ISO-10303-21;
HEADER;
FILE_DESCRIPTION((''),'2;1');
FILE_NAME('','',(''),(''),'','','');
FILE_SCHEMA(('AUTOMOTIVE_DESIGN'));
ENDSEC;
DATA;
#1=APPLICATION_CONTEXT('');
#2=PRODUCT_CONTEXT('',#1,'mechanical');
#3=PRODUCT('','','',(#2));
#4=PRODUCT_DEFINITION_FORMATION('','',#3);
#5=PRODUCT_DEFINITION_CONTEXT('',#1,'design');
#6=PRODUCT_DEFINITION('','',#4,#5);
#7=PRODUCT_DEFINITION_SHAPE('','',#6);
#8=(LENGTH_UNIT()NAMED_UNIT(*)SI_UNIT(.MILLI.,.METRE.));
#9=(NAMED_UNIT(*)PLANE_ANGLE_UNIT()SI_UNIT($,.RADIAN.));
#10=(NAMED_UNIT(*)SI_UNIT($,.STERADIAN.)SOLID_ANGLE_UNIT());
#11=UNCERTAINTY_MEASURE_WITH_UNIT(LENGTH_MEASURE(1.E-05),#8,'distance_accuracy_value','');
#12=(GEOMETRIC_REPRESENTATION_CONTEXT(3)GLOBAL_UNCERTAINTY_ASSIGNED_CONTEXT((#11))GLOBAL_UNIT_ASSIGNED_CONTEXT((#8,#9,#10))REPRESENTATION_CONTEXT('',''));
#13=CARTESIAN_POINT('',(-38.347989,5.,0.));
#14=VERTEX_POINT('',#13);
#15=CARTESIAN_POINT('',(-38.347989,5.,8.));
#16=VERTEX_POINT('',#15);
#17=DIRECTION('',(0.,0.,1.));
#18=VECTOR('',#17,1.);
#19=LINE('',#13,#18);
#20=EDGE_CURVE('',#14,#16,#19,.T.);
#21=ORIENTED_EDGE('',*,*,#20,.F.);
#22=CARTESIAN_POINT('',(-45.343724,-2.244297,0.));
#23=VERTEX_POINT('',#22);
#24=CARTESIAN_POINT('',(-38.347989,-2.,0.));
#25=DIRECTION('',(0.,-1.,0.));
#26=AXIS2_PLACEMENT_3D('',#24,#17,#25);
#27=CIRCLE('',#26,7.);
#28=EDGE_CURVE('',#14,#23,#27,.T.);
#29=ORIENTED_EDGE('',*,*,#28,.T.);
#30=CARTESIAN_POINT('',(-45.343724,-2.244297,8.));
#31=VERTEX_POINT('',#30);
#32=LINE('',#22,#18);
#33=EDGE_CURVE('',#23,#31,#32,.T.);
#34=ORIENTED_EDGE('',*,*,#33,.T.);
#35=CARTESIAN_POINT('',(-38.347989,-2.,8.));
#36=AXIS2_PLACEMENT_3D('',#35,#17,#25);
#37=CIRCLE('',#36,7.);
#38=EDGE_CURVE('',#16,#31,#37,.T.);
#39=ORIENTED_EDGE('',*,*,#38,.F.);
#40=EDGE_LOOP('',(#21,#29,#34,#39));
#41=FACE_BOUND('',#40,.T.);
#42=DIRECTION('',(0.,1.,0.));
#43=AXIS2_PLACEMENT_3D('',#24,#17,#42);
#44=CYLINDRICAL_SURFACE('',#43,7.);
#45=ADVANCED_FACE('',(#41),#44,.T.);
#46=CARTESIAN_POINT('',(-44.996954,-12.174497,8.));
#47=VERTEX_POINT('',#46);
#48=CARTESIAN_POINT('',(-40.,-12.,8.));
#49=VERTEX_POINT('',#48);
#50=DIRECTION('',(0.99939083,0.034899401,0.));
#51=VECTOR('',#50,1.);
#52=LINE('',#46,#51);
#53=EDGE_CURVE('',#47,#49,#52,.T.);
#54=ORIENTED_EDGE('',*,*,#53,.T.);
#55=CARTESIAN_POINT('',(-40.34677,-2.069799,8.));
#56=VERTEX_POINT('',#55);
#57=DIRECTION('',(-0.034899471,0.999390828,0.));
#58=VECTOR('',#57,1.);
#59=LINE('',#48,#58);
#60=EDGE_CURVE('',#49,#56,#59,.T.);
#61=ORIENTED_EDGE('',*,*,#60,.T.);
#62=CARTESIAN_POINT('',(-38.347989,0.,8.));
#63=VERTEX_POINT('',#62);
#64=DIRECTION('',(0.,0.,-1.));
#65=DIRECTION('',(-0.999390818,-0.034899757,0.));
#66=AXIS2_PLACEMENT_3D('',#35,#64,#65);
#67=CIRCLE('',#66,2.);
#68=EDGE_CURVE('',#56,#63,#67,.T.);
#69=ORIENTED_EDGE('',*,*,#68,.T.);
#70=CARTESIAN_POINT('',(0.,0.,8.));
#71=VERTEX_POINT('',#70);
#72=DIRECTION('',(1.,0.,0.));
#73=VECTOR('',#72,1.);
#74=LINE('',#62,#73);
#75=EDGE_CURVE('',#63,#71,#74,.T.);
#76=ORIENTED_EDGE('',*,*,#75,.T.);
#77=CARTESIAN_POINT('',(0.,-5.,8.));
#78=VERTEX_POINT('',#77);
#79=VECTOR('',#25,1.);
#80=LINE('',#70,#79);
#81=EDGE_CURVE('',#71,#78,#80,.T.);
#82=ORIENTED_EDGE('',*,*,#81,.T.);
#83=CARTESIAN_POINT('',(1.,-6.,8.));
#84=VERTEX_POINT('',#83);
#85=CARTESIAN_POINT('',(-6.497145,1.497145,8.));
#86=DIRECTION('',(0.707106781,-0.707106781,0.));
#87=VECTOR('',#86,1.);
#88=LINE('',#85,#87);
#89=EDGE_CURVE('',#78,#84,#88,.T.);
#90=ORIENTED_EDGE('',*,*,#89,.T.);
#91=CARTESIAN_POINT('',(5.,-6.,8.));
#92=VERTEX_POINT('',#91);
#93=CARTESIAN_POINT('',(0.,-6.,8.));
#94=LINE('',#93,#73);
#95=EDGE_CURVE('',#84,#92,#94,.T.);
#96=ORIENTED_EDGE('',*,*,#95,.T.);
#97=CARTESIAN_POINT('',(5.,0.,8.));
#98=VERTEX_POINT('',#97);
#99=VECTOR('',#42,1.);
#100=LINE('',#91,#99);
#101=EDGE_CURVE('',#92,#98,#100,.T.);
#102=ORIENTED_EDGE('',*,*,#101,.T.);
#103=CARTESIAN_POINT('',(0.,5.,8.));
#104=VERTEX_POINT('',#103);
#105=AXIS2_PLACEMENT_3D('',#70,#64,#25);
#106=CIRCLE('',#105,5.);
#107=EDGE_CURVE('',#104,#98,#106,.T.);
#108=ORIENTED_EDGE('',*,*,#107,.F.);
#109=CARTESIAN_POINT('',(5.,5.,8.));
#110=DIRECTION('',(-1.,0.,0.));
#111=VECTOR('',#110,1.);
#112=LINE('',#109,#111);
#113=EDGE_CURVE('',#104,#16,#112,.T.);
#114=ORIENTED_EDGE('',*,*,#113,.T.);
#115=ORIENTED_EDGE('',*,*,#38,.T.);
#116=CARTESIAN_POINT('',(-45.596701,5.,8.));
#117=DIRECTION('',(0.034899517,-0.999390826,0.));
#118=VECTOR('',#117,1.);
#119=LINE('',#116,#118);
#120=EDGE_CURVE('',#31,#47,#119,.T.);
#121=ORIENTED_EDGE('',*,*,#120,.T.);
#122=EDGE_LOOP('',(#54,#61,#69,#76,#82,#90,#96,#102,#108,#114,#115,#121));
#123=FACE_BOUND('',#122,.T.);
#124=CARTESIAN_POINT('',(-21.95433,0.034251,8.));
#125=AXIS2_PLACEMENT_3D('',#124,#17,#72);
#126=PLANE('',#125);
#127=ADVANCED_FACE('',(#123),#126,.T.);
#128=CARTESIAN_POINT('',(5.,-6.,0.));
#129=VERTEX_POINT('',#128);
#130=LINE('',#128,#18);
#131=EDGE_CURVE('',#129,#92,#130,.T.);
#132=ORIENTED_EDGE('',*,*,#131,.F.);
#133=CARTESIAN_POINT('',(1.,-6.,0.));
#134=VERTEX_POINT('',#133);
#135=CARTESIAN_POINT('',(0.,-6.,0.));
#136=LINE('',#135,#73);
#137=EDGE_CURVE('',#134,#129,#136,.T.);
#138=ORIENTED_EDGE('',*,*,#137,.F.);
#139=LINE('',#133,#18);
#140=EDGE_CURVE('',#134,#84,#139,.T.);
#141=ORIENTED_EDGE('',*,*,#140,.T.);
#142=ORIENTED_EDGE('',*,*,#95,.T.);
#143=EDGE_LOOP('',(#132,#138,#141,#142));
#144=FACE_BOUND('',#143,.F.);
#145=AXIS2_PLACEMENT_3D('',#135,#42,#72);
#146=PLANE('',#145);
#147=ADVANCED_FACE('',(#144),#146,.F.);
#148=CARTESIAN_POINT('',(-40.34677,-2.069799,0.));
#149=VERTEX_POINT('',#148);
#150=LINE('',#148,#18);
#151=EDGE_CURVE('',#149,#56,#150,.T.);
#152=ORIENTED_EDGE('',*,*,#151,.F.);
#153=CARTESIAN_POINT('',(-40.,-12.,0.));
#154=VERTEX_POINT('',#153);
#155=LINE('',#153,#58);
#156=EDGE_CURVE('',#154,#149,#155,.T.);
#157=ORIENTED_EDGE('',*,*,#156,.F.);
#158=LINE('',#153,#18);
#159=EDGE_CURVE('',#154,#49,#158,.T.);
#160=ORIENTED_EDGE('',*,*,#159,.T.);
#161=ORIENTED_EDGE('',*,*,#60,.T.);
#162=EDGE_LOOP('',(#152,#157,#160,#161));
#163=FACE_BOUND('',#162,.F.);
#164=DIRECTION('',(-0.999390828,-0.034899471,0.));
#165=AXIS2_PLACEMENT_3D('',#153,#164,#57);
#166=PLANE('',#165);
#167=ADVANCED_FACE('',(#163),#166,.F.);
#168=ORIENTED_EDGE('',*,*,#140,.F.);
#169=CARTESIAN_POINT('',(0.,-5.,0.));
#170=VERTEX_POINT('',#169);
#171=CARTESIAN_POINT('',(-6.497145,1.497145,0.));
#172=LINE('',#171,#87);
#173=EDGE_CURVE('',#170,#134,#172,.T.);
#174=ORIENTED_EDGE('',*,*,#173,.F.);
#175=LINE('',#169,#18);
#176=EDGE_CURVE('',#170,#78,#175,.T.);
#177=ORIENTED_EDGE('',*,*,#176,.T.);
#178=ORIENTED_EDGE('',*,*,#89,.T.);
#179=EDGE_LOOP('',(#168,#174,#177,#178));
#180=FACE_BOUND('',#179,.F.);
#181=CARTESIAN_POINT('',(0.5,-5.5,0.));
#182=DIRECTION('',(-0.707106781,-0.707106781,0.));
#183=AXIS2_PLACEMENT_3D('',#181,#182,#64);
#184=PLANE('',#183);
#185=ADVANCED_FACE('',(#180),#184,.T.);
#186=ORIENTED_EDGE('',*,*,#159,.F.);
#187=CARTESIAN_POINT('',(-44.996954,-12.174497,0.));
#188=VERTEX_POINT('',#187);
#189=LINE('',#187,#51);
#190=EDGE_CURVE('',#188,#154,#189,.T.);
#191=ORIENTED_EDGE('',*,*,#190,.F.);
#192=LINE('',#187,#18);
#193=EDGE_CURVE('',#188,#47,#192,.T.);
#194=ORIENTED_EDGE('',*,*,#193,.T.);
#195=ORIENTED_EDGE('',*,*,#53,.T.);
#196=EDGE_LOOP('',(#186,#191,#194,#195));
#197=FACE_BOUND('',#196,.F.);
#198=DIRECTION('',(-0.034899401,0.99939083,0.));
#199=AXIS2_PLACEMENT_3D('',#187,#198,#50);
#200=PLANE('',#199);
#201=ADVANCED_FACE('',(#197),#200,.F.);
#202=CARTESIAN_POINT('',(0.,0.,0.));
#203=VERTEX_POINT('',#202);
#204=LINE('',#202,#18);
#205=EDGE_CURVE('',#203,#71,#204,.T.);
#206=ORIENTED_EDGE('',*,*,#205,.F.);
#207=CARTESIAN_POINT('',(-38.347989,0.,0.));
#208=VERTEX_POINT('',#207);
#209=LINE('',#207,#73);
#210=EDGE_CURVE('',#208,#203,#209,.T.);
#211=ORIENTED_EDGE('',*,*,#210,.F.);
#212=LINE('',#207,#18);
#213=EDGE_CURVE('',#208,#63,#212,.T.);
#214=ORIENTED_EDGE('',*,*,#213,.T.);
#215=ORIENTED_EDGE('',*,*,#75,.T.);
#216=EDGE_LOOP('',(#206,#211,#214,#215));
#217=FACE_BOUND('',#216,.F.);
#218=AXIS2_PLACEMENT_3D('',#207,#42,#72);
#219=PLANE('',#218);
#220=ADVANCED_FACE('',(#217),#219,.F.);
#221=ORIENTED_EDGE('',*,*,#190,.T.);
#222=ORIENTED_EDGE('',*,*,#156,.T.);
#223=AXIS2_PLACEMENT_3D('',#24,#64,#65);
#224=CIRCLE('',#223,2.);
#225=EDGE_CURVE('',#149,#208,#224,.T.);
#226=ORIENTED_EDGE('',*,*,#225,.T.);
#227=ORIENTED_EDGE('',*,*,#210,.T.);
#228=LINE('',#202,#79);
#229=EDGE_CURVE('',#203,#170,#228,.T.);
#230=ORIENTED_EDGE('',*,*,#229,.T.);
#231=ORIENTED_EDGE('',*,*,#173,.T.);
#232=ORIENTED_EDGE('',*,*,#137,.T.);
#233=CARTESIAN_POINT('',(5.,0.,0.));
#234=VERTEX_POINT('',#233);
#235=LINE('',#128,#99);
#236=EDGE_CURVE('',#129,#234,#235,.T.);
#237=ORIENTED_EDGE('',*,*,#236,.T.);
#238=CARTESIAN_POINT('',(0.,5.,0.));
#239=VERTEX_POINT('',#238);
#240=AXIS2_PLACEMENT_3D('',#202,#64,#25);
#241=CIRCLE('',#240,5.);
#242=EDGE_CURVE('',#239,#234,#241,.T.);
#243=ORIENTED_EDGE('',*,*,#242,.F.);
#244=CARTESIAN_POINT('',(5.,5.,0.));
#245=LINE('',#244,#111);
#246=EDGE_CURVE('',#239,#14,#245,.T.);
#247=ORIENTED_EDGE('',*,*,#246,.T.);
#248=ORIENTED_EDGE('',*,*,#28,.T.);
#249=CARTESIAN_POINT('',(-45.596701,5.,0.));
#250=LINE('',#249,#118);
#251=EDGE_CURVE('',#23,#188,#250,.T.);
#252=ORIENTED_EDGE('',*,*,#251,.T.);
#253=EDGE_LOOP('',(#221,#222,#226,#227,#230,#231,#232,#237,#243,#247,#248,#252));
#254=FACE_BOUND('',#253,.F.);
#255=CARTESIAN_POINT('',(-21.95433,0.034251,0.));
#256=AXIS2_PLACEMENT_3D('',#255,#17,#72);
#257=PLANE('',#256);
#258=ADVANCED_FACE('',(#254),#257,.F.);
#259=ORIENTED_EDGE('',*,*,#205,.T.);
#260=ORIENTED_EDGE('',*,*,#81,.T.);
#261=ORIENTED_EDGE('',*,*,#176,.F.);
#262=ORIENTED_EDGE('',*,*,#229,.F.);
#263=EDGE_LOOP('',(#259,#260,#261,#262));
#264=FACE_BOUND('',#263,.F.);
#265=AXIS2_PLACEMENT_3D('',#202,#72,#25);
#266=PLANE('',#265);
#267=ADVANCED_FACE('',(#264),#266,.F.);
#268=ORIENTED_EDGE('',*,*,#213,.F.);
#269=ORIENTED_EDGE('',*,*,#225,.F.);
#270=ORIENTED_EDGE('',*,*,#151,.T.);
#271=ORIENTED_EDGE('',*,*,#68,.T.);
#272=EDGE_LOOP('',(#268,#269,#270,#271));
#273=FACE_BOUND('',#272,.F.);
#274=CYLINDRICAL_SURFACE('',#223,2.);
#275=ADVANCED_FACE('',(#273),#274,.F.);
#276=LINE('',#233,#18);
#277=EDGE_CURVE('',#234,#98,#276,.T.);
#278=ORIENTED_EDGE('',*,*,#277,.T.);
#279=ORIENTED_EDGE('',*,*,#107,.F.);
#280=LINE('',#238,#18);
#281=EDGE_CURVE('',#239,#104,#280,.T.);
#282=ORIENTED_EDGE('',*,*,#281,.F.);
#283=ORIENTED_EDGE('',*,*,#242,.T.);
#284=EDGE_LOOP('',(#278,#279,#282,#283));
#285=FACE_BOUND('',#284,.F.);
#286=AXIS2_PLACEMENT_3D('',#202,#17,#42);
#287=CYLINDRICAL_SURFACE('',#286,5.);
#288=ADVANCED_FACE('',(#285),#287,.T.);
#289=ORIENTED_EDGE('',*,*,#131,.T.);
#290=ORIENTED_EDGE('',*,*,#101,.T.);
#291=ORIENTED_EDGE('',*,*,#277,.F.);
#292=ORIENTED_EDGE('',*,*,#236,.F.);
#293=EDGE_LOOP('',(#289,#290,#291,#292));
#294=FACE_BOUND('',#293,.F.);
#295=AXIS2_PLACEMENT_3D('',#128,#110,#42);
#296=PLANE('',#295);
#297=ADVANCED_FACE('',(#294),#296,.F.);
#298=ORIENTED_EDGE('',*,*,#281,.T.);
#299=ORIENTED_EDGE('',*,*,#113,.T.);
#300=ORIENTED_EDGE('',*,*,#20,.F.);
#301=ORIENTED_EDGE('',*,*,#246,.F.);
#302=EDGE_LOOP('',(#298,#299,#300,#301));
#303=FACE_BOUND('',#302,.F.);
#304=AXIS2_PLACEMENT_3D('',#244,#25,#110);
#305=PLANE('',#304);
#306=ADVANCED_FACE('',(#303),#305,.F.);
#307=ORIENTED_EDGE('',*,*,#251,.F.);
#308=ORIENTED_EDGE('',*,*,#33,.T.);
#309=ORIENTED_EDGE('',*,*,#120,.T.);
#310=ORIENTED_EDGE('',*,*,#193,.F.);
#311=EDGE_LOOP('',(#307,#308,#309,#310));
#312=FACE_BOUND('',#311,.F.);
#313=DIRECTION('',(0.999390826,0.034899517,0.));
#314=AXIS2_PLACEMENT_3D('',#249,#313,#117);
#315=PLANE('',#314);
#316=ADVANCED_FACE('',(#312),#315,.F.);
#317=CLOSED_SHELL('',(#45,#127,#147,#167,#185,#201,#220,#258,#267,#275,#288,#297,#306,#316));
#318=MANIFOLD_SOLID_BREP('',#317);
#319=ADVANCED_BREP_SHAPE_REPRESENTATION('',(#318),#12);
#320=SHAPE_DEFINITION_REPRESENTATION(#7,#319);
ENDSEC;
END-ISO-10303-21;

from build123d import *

# Parameters (mm, degrees)
F1_DEPTH = 8
F2_SIZE  = 1
F3_R     = 7
F4_R     = 5


with BuildPart() as f1:
    # F0 (on Top) → F1 (new body)
    with BuildSketch(Plane.XY):
        with BuildLine():
            Line((-44.996954, -12.174497), (-40, -12))
            Line((-40, -12), (-40.34677, -2.069799))
            ThreePointArc((-40.34677, -2.069799), (-39.786668, -0.610683), (-38.347989, 0))
            Line((-38.347989, 0), (0, 0))
            Line((0, 0), (0, -6))
            Line((0, -6), (5, -6))
            Line((5, -6), (5, 5))
            Line((5, 5), (-45.596701, 5))
            Line((-45.596701, 5), (-44.996954, -12.174497))
        make_face()
    extrude(amount=F1_DEPTH)

    # F2
    f2_edges = [f1.edges().sort_by_distance(p)[0] for p in [
        (0, -6, 4),
    ]]
    chamfer(f2_edges, length=F2_SIZE)

    # F3
    f3_edges = [f1.edges().sort_by_distance(p)[0] for p in [
        (-45.596701, 5, 4),
    ]]
    fillet(f3_edges, radius=F3_R)

    # F4
    f4_edges = [f1.edges().sort_by_distance(p)[0] for p in [
        (5, 5, 4),
    ]]
    fillet(f4_edges, radius=F4_R)


solid = f1.part
